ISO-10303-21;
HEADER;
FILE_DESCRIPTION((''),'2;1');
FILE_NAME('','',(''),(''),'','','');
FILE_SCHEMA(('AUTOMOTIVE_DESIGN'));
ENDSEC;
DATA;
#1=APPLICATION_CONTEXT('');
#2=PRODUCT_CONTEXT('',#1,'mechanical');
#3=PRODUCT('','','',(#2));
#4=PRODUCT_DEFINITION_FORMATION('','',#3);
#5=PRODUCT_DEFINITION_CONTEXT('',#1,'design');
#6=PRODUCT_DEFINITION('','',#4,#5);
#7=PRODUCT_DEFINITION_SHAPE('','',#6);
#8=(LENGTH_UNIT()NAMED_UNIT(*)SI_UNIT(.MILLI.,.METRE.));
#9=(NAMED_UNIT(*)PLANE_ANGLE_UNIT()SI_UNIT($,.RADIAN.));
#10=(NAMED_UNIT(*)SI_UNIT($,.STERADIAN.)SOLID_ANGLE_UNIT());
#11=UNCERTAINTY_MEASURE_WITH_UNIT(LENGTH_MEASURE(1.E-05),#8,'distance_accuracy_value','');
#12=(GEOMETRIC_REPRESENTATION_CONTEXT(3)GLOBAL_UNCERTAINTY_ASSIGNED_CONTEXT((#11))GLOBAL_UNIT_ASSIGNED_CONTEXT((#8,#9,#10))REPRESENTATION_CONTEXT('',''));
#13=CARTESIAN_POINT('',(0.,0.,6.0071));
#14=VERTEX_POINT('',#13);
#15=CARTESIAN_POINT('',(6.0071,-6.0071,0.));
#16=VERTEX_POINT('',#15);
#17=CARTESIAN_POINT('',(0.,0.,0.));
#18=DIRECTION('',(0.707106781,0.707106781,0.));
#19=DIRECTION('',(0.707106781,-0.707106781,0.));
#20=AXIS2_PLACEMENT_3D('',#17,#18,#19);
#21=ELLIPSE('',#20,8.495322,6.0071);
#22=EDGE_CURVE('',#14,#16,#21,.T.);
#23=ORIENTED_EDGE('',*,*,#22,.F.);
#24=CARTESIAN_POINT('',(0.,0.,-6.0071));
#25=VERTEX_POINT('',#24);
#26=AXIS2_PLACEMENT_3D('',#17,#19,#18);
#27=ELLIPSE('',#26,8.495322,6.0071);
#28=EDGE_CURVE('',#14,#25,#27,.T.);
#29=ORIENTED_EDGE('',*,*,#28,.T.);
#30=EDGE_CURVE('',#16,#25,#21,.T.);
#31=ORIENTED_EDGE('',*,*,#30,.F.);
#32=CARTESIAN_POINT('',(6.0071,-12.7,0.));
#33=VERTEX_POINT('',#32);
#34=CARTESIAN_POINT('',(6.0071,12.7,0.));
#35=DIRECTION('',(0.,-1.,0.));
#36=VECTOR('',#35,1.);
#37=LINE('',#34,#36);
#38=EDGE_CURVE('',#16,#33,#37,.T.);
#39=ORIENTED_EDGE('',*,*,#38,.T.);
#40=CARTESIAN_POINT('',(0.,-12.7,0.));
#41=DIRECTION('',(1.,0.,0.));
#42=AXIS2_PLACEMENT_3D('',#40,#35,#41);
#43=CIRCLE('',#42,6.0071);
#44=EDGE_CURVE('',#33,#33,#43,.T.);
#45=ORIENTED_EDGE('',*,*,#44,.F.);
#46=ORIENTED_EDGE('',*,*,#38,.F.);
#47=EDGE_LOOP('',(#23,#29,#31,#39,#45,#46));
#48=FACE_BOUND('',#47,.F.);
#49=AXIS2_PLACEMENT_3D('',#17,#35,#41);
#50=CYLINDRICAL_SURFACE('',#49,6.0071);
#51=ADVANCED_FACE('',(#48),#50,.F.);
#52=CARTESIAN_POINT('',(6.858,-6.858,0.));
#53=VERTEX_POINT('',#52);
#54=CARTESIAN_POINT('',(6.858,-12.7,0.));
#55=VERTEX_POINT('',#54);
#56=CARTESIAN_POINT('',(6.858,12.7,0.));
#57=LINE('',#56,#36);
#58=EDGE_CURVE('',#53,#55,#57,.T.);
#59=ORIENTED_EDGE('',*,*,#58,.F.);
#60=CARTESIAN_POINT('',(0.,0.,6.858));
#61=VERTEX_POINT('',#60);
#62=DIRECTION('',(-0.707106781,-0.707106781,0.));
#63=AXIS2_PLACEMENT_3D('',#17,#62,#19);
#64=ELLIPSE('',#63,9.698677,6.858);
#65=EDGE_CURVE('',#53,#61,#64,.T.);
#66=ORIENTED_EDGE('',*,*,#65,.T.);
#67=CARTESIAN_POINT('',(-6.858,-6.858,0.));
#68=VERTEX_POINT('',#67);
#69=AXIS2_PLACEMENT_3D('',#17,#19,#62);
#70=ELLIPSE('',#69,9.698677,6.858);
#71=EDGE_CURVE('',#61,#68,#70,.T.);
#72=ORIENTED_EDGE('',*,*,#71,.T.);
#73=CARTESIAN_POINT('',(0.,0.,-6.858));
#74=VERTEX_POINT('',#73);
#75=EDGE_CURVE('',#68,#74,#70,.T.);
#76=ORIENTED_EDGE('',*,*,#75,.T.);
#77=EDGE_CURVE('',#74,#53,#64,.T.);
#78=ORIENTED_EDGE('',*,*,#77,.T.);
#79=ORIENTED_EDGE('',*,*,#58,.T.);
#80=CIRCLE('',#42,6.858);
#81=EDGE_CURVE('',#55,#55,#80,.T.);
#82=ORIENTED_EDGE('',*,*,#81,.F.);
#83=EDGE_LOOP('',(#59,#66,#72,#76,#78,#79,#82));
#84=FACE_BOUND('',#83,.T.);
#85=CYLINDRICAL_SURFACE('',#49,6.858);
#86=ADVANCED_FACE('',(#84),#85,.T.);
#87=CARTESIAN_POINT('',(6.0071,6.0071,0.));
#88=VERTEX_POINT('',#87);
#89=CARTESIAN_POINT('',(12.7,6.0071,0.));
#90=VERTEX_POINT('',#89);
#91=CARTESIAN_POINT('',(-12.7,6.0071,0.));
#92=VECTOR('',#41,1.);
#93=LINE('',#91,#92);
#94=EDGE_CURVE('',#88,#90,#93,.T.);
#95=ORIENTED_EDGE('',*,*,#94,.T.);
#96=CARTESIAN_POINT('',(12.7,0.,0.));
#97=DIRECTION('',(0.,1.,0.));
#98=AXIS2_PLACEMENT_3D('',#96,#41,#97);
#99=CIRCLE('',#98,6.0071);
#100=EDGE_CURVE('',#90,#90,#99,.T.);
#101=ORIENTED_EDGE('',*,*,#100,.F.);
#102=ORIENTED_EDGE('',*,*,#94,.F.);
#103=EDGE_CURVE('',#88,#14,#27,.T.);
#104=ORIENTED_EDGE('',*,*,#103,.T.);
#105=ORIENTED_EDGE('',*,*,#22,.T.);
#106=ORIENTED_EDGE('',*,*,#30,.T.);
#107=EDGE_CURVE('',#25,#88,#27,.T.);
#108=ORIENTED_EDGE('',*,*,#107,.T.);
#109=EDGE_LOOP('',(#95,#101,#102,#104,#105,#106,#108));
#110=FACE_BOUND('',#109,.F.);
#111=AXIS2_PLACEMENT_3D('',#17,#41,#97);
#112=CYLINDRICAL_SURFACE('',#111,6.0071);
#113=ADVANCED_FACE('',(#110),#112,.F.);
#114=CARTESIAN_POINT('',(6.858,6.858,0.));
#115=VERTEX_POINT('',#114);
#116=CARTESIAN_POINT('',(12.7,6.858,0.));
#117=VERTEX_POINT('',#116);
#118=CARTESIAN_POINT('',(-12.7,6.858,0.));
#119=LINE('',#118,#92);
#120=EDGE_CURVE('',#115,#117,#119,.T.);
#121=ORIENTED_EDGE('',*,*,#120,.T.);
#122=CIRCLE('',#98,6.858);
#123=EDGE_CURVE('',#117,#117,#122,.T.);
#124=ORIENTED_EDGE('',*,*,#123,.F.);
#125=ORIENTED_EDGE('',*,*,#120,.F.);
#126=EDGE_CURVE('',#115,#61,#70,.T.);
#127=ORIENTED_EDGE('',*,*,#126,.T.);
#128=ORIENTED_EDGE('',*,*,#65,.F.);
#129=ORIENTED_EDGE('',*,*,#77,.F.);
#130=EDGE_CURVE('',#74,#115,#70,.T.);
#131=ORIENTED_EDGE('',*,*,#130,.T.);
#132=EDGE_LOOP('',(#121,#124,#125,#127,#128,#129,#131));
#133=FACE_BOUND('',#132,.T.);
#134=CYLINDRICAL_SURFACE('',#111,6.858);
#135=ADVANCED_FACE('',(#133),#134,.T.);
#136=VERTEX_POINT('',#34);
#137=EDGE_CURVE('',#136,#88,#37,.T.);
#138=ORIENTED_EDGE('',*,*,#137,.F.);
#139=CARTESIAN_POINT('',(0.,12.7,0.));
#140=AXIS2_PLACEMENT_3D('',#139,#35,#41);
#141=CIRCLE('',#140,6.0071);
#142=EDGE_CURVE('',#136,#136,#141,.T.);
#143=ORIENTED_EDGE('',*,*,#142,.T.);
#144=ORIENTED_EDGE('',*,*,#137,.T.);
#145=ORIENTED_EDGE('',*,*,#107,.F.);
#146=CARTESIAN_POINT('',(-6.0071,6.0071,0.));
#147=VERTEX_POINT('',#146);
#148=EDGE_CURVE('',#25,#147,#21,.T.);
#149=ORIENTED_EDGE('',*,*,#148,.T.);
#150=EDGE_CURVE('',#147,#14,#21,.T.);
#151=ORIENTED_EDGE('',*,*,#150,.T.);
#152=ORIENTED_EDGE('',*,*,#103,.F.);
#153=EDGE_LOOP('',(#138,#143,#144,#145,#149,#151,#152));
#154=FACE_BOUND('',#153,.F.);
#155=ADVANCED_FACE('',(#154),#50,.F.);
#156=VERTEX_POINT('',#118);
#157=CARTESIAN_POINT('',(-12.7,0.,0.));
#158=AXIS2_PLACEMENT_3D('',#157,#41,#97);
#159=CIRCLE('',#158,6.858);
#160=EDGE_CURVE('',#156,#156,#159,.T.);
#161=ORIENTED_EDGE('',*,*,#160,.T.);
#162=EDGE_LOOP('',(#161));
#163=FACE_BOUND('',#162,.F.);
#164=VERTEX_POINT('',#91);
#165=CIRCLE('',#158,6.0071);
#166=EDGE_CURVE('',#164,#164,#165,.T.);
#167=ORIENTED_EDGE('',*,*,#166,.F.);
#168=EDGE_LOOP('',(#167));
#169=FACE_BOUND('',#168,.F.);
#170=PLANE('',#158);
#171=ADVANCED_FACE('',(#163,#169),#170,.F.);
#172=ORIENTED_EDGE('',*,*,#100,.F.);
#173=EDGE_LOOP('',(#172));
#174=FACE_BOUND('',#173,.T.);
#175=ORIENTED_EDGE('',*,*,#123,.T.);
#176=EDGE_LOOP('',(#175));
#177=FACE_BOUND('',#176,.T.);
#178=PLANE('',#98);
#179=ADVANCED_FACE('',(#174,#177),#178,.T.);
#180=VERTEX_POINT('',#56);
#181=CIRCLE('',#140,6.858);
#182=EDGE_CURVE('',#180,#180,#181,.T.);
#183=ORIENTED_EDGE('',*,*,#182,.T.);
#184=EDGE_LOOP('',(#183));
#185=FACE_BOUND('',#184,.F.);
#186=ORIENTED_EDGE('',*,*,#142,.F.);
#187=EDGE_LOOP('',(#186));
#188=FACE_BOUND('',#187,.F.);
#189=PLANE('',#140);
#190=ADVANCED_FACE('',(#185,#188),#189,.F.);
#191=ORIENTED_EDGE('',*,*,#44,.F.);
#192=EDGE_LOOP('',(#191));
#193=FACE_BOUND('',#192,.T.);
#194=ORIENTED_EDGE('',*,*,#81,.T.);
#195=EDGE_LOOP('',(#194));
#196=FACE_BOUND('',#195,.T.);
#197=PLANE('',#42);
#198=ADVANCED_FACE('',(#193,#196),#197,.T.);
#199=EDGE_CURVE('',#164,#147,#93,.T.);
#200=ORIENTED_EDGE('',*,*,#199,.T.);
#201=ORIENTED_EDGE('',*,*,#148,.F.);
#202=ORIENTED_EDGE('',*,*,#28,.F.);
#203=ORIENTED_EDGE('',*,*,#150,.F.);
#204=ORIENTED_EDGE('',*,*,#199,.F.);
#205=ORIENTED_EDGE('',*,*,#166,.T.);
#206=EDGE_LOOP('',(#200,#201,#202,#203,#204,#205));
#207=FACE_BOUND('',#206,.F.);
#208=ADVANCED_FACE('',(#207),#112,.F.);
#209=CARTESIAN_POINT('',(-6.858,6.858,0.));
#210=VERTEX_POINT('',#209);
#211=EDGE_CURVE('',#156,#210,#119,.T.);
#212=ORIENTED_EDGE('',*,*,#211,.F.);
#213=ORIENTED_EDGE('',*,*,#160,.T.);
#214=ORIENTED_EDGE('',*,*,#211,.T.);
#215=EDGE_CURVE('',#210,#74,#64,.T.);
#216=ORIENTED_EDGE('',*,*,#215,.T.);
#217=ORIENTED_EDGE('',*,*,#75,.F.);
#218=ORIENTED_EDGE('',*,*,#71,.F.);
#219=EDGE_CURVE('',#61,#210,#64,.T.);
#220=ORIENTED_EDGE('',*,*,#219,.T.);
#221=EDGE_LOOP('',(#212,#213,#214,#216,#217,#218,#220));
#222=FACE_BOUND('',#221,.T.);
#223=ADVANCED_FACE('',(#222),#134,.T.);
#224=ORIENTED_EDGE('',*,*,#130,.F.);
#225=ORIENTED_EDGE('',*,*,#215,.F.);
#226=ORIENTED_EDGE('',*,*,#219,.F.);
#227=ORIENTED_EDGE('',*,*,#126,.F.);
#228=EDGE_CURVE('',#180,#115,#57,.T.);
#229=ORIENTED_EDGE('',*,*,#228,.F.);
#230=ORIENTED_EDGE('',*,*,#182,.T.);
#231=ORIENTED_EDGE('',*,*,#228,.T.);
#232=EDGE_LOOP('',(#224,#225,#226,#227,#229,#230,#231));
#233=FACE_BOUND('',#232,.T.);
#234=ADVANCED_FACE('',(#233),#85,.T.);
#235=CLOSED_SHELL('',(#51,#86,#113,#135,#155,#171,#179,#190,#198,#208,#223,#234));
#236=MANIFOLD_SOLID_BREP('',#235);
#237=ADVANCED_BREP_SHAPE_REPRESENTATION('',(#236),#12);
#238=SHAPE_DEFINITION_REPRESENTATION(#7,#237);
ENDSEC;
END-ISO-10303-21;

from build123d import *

# Parameters (mm, degrees)
F0_R     = 5.1562
F0_R_2   = 6.858
F1_DEPTH = 12.7
F2_R     = 5.1562
F2_R_2   = 6.858
F3_DEPTH = 12.7
F4_R     = 6.0071
F5_DEPTH = 12.7
F6_R     = 6.0071
F7_DEPTH = 12.7


with BuildPart() as f1:
    # F0 (on Front) → F1 (new body, symmetric)
    with BuildSketch(Plane.XZ):
        Circle(F0_R)
        Circle(F0_R_2)
        Circle(F0_R, mode=Mode.SUBTRACT)
    extrude(amount=F1_DEPTH, both=True)

    # F2 (on Right) → F3 (join, symmetric)
    with BuildSketch(Plane.YZ):
        Circle(F2_R)
        Circle(F2_R_2)
        Circle(F2_R, mode=Mode.SUBTRACT)
    extrude(amount=F3_DEPTH, both=True)

    # F4 (on Right) → F5 (cut, symmetric)
    with BuildSketch(Plane.YZ):
        Circle(F4_R)
    extrude(amount=F5_DEPTH, both=True, mode=Mode.SUBTRACT)

    # F6 (on Front) → F7 (cut, symmetric)
    with BuildSketch(Plane.XZ):
        Circle(F6_R)
    extrude(amount=F7_DEPTH, both=True, mode=Mode.SUBTRACT)


solid = f1.part
